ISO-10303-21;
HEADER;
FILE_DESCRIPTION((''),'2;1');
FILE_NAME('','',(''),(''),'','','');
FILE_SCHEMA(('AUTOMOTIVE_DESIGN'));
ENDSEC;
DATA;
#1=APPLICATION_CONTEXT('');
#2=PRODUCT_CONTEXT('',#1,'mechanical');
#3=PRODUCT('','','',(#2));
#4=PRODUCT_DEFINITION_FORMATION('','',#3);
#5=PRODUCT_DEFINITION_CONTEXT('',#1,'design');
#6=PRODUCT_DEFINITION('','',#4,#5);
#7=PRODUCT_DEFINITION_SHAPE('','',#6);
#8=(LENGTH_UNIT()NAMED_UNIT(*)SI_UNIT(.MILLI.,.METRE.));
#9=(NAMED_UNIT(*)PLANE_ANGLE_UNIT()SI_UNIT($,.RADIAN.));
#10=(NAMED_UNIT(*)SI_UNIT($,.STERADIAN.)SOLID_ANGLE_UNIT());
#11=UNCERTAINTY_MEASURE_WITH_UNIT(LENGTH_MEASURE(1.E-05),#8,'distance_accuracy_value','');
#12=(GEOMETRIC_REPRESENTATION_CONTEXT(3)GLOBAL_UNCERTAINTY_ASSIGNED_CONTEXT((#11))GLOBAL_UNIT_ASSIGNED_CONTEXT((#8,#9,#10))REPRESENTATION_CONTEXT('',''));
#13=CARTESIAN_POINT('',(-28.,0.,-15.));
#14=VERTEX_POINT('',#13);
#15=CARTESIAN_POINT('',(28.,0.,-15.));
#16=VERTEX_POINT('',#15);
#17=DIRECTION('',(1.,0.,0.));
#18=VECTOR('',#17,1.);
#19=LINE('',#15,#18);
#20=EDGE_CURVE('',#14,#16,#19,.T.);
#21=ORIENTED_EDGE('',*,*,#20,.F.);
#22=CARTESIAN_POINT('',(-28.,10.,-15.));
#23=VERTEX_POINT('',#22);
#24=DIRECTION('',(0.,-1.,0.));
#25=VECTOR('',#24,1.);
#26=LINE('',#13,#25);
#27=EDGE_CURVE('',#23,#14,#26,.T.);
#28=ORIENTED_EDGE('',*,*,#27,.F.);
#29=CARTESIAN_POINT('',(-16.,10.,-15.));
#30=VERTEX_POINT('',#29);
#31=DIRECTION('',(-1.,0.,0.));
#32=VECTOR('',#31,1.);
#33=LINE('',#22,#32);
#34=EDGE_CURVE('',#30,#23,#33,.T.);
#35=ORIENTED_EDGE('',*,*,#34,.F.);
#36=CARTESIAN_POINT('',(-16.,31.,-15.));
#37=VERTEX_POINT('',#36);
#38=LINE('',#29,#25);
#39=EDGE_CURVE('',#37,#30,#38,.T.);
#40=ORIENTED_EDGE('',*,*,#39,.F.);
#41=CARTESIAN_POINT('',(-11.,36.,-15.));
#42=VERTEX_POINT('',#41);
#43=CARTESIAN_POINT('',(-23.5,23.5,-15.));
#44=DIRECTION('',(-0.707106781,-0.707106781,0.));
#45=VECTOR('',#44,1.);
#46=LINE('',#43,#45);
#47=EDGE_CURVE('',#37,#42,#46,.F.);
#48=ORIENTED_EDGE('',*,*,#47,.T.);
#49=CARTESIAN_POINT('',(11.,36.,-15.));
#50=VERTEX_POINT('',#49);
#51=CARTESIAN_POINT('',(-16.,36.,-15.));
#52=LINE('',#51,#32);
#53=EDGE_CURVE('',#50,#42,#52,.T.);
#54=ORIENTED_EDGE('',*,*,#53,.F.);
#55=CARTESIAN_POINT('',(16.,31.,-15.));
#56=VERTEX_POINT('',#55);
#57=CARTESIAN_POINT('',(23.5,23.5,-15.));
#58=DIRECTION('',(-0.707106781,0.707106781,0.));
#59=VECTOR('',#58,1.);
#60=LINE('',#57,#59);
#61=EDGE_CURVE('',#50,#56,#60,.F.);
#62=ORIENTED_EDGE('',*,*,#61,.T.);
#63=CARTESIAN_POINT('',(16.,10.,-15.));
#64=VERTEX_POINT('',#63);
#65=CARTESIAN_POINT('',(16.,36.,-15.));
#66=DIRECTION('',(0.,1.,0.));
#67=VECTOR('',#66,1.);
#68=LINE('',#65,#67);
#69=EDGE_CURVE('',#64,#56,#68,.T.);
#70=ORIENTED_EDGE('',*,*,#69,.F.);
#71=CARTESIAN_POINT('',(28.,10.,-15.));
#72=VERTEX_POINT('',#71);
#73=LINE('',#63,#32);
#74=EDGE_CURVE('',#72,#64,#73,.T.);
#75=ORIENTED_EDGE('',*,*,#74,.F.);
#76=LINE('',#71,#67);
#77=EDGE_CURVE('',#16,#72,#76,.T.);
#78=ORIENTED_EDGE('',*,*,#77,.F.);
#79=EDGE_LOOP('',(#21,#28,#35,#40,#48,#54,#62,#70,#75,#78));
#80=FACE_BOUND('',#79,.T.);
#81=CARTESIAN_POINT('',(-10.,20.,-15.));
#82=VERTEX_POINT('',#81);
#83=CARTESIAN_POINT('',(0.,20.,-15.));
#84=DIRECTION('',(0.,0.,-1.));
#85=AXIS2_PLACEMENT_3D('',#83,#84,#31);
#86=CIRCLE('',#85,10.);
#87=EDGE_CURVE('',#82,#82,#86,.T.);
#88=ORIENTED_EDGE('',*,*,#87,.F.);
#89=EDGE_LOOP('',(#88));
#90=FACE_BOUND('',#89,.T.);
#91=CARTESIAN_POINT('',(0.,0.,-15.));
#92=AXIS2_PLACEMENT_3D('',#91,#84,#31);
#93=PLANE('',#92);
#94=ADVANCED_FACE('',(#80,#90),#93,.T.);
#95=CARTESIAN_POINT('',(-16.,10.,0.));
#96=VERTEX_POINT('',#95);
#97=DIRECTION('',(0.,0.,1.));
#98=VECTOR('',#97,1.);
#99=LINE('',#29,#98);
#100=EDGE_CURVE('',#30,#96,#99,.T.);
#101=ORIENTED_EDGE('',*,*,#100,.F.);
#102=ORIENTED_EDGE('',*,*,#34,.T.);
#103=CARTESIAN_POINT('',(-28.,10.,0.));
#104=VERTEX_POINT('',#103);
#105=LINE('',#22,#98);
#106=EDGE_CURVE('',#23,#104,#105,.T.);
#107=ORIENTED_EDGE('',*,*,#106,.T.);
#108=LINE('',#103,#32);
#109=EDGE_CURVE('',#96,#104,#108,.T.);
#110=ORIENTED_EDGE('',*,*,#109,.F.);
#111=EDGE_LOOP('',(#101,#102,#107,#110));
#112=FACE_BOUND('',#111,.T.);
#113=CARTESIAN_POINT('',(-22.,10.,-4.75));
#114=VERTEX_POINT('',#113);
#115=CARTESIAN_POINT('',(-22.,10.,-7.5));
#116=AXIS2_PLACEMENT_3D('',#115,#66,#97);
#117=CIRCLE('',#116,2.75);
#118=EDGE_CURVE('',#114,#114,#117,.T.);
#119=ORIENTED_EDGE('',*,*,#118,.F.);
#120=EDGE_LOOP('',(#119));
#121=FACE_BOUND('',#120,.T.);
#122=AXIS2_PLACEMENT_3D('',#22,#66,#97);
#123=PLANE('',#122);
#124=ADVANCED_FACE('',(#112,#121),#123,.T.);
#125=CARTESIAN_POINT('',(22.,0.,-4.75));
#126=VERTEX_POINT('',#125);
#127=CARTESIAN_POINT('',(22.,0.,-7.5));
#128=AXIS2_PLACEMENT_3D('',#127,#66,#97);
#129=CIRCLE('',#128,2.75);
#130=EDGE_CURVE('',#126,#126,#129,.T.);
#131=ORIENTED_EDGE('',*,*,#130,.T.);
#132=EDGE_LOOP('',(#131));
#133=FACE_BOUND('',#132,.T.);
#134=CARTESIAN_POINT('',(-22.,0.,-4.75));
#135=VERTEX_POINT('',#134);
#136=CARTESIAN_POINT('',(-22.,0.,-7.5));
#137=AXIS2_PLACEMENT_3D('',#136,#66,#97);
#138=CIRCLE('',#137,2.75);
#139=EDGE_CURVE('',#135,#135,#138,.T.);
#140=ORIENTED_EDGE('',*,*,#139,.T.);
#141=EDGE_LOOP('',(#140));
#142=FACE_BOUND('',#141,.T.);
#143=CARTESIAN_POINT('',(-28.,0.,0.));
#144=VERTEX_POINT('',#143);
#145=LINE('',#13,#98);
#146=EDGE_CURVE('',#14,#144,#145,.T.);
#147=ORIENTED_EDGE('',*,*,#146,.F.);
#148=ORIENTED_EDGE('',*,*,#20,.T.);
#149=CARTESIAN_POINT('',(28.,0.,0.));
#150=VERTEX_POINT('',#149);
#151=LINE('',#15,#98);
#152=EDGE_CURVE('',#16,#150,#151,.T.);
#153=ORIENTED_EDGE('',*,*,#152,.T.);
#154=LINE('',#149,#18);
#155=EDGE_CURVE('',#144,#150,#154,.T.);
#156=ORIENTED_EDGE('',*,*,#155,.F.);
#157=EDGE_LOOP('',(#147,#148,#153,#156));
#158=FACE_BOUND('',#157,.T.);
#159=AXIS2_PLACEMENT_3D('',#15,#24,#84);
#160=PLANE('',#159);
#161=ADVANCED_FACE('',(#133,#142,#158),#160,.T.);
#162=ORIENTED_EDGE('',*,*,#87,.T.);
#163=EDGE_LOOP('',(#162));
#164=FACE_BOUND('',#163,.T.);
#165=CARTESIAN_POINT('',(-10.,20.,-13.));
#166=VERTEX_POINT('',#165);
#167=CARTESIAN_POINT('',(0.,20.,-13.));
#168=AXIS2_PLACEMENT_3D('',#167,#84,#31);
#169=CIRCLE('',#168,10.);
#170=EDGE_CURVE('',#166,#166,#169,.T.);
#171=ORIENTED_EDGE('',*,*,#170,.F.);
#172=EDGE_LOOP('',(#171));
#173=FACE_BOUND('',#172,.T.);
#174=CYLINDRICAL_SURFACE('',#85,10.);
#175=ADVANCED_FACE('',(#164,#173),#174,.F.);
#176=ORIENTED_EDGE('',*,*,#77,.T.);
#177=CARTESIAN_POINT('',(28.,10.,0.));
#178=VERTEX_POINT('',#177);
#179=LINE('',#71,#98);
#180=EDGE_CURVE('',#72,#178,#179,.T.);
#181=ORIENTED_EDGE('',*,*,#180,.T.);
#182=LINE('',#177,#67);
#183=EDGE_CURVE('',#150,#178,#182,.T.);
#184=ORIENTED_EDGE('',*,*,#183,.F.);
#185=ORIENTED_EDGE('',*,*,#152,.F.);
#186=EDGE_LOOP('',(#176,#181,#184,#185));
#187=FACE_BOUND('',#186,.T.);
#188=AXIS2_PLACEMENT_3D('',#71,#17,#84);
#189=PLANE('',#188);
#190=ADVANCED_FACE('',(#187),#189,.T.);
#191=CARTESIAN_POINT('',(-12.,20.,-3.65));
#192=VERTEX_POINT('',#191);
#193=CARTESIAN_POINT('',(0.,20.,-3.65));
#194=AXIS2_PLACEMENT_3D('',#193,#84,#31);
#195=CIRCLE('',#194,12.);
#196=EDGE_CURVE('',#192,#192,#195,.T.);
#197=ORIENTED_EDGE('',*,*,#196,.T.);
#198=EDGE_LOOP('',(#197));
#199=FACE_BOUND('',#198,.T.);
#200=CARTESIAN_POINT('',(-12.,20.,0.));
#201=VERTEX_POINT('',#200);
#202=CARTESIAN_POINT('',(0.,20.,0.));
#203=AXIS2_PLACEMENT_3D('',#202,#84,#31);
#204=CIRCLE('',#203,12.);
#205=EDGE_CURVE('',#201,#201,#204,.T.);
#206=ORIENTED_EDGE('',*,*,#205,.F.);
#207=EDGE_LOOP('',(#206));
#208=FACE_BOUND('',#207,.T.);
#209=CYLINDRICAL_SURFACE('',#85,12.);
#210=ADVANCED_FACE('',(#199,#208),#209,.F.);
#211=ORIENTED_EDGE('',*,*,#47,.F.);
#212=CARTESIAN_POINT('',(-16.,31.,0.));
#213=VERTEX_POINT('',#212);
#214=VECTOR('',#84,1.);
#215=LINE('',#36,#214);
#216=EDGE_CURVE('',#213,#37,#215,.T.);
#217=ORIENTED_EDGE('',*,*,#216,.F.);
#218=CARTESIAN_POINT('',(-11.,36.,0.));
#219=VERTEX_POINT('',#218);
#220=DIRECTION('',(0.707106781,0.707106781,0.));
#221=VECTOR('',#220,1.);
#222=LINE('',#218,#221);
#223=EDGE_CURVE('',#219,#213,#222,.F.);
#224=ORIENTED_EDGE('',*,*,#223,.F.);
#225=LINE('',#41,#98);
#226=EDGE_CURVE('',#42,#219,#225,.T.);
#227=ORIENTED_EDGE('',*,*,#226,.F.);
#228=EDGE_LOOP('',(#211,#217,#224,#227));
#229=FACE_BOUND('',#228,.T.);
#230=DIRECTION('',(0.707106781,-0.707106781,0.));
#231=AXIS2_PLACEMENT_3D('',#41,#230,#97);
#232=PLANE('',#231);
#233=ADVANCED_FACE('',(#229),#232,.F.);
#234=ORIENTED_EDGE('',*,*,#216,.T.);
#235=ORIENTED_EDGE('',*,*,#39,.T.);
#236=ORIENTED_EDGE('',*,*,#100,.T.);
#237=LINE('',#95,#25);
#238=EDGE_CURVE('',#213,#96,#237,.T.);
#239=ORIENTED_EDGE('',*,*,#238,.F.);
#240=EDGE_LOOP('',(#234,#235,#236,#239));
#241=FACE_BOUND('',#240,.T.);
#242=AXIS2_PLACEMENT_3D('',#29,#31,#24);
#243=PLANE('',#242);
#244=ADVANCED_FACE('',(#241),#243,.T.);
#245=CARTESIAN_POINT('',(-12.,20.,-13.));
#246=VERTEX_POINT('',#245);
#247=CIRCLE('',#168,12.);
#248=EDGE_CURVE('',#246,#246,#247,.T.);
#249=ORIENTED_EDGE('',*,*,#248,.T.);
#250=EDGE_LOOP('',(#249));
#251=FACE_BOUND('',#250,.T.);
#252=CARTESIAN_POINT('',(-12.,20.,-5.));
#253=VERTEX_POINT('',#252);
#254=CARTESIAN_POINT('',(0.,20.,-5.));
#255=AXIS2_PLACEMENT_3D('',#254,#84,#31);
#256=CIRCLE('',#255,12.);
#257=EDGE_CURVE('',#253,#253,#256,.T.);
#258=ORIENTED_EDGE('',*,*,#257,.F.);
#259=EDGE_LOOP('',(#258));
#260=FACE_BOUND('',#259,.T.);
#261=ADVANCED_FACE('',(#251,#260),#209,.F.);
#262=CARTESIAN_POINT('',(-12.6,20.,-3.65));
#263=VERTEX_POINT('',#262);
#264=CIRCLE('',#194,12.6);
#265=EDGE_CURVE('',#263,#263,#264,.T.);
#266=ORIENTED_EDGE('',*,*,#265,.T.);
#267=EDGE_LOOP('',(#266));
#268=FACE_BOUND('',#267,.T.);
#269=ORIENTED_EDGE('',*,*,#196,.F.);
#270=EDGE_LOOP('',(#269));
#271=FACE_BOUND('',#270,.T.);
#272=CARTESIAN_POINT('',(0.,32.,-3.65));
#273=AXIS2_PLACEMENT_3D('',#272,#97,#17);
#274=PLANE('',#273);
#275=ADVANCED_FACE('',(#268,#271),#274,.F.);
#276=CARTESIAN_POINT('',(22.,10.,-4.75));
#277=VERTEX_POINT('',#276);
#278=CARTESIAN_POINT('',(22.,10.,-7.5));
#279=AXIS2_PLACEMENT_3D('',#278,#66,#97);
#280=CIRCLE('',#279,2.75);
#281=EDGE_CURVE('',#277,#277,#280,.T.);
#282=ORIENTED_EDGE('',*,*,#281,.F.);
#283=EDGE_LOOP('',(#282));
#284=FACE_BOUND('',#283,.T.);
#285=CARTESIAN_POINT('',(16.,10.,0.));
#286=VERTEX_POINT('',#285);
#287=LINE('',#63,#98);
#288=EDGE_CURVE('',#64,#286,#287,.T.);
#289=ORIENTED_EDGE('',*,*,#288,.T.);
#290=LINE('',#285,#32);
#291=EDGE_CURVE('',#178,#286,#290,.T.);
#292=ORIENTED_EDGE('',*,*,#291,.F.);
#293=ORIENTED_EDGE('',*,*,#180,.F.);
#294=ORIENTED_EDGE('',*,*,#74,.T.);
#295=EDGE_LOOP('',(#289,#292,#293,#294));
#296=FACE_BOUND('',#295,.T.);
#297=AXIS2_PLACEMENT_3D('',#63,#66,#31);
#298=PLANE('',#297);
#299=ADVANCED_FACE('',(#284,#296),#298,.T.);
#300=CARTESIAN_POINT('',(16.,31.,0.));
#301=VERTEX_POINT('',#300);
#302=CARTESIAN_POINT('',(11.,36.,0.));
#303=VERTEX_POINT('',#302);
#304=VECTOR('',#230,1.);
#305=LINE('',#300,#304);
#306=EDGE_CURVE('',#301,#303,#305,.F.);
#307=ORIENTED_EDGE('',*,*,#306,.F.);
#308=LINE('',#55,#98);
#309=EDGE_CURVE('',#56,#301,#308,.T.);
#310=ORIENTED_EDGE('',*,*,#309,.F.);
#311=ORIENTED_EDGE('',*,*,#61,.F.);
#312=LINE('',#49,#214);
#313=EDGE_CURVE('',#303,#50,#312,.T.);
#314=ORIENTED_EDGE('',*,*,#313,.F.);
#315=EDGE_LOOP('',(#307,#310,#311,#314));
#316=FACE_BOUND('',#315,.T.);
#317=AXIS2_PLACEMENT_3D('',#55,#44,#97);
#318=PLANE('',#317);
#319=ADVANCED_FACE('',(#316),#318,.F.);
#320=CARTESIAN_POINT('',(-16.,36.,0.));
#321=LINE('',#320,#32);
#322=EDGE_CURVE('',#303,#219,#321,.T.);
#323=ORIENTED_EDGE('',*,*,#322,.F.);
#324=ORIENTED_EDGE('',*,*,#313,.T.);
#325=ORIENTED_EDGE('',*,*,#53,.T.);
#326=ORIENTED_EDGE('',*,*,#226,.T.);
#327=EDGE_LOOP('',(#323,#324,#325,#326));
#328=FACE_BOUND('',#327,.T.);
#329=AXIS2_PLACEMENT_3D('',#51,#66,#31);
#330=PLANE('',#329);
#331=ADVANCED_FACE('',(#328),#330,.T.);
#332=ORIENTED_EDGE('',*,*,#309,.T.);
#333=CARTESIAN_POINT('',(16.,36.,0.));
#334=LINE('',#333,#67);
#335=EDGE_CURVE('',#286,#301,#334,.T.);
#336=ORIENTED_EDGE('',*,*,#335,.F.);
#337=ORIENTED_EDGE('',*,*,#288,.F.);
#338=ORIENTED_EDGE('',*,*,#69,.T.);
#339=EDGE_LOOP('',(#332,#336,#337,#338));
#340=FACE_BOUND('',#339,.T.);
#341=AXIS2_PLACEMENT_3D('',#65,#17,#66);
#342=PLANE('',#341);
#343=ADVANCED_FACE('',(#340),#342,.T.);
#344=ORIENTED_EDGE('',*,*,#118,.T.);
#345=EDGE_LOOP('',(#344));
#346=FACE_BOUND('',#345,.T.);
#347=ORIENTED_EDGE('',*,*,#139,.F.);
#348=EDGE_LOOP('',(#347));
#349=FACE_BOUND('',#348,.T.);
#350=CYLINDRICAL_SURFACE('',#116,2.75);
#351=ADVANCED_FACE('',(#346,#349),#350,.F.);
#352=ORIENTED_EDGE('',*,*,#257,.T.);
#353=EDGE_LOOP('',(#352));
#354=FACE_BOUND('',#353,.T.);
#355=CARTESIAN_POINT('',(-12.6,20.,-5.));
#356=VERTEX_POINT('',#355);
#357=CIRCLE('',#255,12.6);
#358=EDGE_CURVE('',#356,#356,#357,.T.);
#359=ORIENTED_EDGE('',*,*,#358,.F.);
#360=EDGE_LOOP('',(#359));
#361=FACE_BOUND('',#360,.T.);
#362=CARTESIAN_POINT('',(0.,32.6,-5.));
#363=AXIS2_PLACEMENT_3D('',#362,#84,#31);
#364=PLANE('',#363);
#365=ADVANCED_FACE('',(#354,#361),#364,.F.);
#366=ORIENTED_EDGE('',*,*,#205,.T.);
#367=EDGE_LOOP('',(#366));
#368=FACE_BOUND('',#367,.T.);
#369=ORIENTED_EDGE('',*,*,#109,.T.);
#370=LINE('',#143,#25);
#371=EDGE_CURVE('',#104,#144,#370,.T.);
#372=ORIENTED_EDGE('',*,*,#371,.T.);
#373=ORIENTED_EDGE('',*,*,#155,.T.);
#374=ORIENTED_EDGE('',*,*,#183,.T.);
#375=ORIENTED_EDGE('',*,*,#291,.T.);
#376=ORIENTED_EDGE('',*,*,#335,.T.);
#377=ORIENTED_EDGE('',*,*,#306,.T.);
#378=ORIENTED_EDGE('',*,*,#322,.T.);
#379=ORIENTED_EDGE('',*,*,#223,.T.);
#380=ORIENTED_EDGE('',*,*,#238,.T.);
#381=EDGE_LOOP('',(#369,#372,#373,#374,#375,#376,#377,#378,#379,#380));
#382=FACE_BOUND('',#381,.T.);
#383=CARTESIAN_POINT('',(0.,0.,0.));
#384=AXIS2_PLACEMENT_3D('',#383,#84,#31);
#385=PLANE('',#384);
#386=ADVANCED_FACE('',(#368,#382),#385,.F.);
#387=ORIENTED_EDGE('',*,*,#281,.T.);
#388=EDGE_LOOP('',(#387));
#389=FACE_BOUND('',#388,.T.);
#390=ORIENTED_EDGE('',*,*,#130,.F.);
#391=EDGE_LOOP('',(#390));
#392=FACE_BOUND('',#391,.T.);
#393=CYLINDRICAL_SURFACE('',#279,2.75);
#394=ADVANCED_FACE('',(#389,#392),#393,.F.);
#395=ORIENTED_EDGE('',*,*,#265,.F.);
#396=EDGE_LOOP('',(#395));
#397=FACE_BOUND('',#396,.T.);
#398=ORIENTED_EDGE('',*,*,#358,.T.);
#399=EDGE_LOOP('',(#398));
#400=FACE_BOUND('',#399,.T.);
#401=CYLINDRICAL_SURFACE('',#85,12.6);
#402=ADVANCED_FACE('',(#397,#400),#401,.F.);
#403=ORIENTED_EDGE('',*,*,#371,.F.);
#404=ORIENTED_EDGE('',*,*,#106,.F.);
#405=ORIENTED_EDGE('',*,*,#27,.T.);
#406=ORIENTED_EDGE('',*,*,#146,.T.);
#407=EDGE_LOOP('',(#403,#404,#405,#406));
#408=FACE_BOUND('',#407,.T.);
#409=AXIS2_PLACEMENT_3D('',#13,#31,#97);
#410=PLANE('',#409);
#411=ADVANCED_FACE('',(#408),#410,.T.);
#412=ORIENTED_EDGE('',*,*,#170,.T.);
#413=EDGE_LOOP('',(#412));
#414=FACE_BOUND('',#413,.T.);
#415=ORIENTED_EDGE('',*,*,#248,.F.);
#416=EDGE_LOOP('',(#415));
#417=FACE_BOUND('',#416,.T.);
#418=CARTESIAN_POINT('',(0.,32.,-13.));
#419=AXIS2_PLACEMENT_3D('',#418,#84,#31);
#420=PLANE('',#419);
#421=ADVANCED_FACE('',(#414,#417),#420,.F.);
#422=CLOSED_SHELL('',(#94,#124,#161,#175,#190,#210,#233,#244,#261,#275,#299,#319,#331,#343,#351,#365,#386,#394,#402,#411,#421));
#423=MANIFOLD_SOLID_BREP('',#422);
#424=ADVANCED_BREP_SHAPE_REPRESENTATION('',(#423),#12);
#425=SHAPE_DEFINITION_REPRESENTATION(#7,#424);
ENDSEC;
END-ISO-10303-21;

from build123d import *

# Parameters (mm, degrees)
BOSS_EXTRUDE1_DEPTH = 15
DIAMETER_HOLE1_D    = 5.5
CHAMFER1_SIZE       = 5


with BuildPart() as part:
    # Sketch1 → Boss-Extrude1 (new body)
    with BuildSketch(Plane.XY):
        Polygon((-16, 36), (16, 36), (16, 10), (28, 10), (28, 0), (-28, 0), (-28, 10), (-16, 10), align=None)
    extrude(amount=-BOSS_EXTRUDE1_DEPTH)

    # Sketch2 → Cut-Revolve1 (revolve, cut)
    with BuildSketch(Plane(origin=(0, 0, 0), x_dir=(0, 0, -1), z_dir=(1, 0, 0))):
        Polygon((3.65, 32), (3.65, 32.6), (5, 32.6), (5, 32), (13, 32), (13, 30), (15, 30), (15, 20), (0, 20), (0, 32), align=None)
    revolve(axis=Axis((0, 20, -15), (0, 0, 1)), mode=Mode.SUBTRACT)

    # Diameter Hole1 (through all)
    with Locations(Plane(origin=(0, 10, 0), x_dir=(1, 0, 0), z_dir=(0, 1, 0))):
        with Locations((-22, 7.5), (22, 7.5)):
            Hole(DIAMETER_HOLE1_D / 2)

    # Chamfer1
    chamfer1_edges = [part.edges().sort_by_distance(p)[0] for p in [
        (-16, 36, -7.5),
        (16, 36, -7.5),
    ]]
    chamfer(chamfer1_edges, length=CHAMFER1_SIZE)


solid = part.part
